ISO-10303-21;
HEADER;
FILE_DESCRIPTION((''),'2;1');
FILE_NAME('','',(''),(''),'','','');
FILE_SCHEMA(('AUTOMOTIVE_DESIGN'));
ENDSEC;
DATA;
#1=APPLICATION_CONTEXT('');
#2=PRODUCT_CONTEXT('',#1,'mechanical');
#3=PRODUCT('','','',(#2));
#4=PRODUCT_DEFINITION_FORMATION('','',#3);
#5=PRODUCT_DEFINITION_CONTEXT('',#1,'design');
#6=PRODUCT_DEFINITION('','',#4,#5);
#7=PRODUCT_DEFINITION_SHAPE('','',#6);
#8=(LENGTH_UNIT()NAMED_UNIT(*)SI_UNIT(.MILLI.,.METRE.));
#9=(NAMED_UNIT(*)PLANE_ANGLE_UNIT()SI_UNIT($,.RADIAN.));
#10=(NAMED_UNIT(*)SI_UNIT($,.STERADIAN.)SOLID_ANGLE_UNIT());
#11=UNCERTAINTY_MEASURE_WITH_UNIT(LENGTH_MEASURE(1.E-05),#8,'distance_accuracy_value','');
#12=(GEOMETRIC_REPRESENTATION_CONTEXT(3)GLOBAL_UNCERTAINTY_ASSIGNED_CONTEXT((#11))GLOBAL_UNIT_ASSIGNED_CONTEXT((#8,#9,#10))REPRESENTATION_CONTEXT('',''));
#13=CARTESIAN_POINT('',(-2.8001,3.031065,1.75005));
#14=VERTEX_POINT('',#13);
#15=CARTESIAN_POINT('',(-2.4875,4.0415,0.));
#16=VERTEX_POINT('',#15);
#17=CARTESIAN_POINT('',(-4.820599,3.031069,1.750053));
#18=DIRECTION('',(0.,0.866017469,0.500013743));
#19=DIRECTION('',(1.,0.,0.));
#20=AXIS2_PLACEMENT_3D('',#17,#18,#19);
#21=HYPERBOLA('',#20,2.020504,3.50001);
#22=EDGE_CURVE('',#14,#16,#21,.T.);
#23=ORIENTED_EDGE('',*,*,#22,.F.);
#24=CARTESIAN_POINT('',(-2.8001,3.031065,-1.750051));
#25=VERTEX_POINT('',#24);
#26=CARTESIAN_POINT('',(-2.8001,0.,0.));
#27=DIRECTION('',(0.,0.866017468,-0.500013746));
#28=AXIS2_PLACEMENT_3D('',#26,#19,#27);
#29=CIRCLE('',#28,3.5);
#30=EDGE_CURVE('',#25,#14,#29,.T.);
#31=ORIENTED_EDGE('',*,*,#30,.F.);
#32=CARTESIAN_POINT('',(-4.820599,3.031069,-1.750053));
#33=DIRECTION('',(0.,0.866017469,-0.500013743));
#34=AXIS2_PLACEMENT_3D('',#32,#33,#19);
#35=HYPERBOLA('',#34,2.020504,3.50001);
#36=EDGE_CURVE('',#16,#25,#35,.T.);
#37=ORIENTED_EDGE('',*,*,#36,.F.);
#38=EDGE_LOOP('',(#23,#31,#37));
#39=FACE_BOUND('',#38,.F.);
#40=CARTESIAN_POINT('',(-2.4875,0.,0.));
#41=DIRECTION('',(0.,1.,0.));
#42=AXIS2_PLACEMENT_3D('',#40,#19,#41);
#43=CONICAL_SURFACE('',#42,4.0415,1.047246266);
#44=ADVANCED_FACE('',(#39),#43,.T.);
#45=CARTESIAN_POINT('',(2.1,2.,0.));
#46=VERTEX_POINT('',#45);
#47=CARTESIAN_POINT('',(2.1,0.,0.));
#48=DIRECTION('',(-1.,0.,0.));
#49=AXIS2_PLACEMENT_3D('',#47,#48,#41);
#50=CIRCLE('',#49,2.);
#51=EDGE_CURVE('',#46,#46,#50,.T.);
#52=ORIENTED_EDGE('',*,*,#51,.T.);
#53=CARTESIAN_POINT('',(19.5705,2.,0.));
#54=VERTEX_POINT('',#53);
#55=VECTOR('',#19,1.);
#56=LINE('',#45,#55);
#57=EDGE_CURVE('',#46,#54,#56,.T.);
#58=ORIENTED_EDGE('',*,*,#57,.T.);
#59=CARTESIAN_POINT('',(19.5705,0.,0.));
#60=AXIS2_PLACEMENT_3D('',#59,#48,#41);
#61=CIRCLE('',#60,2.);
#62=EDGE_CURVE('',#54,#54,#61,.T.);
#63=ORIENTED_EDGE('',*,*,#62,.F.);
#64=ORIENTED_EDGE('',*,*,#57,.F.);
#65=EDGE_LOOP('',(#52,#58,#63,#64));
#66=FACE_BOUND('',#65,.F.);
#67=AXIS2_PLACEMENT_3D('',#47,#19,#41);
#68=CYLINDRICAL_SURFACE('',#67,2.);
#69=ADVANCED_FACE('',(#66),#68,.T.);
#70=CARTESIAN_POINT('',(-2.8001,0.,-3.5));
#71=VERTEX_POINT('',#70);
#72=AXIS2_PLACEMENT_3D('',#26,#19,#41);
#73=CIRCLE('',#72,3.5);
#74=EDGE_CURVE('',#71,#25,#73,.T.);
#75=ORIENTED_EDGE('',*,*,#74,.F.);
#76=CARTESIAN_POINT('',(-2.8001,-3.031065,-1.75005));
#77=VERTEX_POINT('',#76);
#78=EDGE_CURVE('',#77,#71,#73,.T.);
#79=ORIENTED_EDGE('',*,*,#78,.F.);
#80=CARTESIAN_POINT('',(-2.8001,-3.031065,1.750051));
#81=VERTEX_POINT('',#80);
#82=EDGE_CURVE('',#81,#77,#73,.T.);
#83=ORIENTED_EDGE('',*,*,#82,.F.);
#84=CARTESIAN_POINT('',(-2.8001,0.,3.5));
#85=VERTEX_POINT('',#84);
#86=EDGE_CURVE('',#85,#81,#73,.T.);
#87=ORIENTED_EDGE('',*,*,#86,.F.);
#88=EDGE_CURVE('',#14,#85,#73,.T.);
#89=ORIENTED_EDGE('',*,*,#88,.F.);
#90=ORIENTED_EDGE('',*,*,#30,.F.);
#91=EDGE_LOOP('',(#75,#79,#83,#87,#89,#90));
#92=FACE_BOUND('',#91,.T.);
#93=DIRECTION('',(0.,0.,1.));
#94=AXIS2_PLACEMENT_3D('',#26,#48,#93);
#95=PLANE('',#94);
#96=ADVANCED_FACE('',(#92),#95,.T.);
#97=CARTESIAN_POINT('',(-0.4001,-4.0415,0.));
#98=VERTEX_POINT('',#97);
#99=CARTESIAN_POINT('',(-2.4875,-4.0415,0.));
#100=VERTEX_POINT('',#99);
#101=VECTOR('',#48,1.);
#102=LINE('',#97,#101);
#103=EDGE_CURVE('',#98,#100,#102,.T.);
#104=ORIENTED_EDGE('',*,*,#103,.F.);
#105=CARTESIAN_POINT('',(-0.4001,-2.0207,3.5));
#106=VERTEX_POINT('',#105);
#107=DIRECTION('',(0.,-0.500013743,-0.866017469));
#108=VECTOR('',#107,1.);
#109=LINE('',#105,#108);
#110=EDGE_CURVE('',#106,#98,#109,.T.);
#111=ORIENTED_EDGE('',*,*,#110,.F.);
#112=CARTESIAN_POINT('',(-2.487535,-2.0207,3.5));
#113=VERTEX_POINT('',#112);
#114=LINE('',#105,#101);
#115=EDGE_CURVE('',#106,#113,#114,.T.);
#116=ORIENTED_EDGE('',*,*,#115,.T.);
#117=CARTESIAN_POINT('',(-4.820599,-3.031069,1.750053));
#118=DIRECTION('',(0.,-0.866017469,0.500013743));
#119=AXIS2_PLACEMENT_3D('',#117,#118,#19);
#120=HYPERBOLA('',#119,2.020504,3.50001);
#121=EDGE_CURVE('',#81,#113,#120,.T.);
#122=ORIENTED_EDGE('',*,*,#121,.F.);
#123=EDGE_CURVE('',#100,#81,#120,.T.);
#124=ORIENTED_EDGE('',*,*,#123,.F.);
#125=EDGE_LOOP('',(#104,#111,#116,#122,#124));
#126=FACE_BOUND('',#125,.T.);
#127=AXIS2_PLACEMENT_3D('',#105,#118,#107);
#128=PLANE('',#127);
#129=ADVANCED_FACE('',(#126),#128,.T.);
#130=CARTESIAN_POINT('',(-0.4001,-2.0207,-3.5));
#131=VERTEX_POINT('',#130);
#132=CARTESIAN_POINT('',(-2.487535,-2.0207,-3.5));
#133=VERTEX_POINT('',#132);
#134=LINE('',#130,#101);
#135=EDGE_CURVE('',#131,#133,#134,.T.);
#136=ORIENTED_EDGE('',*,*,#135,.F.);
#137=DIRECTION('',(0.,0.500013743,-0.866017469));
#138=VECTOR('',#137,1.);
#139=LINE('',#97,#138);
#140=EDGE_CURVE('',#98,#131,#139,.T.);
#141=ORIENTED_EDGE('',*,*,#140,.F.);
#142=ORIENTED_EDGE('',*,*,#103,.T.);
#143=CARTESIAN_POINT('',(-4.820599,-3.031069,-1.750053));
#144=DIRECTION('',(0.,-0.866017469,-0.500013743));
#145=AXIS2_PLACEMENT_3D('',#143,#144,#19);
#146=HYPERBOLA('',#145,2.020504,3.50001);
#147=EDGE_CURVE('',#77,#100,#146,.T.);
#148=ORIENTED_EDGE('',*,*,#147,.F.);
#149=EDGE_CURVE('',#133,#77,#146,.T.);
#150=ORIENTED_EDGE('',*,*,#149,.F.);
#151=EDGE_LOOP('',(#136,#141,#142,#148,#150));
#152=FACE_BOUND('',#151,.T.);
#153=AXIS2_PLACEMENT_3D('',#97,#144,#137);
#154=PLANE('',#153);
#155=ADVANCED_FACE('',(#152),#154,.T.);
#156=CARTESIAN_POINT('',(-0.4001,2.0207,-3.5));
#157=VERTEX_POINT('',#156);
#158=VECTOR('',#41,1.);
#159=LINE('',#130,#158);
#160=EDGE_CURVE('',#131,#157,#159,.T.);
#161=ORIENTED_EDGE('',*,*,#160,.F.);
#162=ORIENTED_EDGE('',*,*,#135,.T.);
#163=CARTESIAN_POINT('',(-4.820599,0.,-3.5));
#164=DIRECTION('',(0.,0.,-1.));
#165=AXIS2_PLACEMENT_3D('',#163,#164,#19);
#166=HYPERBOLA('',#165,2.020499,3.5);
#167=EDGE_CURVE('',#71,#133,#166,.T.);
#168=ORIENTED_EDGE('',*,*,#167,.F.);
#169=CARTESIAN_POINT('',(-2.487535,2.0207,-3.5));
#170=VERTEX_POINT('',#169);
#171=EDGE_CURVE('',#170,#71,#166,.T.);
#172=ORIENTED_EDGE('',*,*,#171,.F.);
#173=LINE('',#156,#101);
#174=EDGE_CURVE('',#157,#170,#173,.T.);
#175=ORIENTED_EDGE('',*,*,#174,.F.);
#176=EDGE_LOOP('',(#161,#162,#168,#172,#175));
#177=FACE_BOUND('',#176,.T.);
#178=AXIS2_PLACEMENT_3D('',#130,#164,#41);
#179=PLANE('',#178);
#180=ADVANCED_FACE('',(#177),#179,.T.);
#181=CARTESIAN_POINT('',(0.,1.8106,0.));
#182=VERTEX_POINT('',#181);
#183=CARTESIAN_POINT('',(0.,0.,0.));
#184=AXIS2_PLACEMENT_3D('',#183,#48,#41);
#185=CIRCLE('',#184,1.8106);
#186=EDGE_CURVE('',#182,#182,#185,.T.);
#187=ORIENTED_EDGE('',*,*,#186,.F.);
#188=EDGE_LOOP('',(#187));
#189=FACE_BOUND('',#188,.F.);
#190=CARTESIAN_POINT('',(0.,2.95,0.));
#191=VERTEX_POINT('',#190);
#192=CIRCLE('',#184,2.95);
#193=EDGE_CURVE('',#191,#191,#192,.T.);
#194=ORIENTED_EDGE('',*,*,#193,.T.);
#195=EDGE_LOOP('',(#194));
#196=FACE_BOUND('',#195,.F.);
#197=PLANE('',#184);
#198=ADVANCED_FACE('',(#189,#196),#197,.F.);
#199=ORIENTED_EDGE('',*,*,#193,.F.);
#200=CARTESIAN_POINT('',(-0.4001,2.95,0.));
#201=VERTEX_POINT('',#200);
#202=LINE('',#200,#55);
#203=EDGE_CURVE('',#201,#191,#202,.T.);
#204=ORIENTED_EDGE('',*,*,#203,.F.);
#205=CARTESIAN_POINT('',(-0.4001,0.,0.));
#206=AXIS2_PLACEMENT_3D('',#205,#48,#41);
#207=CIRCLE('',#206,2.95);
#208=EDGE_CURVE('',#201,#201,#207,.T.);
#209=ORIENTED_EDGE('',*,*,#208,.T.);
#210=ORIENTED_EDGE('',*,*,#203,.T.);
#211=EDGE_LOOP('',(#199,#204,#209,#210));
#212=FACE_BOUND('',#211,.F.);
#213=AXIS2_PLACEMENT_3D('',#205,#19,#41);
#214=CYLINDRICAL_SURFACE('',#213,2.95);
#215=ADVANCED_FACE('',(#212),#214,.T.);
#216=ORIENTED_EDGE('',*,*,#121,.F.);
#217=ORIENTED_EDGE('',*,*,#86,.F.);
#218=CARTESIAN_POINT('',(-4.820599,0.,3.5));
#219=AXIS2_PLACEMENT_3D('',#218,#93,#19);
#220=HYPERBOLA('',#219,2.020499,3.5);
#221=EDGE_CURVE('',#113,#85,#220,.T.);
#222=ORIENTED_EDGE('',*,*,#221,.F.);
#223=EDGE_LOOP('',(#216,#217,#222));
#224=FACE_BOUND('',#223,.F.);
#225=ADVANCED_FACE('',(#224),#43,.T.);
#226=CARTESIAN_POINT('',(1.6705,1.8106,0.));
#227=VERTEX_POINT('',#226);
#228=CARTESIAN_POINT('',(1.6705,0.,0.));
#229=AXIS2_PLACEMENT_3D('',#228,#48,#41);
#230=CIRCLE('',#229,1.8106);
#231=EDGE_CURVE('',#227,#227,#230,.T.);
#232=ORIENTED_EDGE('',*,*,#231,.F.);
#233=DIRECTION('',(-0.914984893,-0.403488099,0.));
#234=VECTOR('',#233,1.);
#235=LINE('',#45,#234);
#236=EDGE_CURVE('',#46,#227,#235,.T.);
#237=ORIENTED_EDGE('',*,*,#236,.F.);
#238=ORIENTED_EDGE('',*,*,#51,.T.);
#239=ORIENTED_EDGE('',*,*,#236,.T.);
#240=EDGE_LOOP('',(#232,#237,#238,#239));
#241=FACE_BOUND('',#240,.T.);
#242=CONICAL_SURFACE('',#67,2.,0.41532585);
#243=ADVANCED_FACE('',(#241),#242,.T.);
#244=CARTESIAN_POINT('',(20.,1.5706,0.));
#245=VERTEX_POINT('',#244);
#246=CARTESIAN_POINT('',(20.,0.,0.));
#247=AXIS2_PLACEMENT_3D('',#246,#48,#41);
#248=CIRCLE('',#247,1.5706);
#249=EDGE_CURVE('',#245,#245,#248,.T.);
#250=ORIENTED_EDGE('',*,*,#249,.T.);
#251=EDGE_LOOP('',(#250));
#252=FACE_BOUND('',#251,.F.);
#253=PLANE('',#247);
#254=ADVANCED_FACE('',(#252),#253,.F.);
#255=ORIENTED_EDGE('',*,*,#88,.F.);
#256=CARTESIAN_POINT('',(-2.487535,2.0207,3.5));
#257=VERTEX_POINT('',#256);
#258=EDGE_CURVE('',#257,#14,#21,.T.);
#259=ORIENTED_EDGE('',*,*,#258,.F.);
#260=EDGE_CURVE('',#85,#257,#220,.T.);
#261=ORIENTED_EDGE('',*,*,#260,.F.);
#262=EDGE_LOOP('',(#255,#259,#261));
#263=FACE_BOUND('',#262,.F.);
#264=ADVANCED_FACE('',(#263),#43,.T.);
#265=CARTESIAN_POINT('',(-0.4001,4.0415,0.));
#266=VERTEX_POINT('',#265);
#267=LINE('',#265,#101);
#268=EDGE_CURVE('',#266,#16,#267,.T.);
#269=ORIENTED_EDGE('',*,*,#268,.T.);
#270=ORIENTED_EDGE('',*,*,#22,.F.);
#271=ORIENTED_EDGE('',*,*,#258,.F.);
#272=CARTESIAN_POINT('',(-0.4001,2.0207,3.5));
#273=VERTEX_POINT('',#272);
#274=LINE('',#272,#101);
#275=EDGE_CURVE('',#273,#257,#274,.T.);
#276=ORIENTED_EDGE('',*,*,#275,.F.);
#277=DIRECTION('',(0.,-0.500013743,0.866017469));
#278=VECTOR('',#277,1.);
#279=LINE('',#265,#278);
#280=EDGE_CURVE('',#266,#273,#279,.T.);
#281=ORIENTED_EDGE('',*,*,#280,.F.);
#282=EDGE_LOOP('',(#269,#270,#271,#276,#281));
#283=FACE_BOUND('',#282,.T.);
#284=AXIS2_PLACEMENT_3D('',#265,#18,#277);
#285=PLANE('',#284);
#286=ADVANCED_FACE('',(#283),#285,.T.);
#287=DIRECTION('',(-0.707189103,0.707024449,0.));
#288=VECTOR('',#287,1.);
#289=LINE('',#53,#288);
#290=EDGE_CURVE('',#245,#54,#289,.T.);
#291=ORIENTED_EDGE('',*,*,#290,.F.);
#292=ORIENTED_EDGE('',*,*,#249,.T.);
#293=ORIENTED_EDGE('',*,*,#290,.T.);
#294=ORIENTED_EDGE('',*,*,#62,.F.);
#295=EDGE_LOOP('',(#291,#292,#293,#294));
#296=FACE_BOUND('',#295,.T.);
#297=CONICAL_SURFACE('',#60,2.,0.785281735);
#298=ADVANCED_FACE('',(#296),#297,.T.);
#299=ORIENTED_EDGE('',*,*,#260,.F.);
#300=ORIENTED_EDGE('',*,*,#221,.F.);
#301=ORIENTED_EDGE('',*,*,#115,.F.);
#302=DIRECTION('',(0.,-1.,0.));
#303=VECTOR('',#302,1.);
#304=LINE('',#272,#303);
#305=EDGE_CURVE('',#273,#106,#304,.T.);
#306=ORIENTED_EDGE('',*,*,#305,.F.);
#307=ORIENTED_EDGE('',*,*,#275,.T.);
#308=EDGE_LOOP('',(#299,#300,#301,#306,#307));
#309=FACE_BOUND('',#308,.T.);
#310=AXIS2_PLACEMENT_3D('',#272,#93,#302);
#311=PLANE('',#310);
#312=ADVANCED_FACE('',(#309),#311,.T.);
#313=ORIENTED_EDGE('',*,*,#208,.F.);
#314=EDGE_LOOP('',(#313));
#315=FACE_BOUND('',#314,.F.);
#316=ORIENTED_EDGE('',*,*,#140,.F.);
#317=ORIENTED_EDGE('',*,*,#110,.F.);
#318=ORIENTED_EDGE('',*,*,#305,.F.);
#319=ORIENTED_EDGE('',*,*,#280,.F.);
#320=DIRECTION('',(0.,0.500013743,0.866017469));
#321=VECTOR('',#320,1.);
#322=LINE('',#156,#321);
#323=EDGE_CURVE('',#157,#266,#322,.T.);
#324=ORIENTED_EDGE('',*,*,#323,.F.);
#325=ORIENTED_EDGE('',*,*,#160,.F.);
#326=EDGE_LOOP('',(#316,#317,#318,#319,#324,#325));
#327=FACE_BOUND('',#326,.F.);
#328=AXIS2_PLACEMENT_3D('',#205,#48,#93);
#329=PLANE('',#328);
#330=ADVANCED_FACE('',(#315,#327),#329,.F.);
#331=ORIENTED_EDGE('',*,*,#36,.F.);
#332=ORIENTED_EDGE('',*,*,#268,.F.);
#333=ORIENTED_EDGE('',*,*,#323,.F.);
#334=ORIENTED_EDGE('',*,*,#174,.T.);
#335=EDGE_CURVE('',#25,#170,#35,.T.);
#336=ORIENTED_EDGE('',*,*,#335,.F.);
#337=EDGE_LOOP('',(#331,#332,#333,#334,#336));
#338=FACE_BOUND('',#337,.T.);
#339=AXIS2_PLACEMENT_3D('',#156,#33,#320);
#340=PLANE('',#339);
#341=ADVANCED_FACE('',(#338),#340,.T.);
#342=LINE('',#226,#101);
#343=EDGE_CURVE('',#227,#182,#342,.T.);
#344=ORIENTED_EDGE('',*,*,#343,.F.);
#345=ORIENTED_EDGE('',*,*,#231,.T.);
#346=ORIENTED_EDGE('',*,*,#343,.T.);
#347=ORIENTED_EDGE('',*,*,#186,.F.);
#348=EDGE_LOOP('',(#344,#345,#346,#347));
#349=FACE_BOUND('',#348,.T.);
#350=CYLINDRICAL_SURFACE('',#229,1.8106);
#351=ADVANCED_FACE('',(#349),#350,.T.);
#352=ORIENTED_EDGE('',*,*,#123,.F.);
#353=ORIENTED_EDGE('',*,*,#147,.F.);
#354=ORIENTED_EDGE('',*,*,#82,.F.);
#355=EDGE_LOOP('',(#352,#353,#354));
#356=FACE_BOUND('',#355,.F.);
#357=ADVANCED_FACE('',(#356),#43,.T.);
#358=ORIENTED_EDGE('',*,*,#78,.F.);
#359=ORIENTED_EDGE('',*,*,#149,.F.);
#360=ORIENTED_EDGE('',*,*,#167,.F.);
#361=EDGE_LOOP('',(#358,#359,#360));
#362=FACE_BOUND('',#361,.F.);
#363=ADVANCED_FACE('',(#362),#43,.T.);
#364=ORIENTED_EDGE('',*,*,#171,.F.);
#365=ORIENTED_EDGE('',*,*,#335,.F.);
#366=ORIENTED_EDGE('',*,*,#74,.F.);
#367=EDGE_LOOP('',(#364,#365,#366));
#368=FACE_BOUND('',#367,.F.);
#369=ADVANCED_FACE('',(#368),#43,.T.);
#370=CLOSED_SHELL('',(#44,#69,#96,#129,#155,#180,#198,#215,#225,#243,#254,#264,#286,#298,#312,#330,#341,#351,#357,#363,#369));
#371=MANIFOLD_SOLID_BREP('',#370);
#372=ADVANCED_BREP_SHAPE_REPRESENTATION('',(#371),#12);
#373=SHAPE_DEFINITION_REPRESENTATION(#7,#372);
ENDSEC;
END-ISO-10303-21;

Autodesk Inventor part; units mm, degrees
ref_plane "YZ Plane" through (0, 0, 0) normal (1, 0, 0) x (0, 1, 0)
ref_plane "XZ Plane" through (0, 0, 0) normal (0, 1, 0) x (-1, 0, 0)
sketch "Sketch1" plane through (0, 0, 0) normal (0, 0, 1) x (1, 0, 0)
  line L0 (0, 2.95) -> (0, 1.8106)
  line L1 (2.1, 2) -> (20, 2)
  line L2 (20, 2) -> (20, 0)
  line L3 (20, 0) -> (-0.4001, 0)
  line L4 (-4.4801, 0) -> (24.08, 0) projected
  line L5 (-0.4001, 0) -> (-0.4001, 2.95)
  line L6 (-0.4001, 2.95) -> (0, 2.95)
  line L7 (2.1, 2) -> (1.6705, 1.8106)
  line L8 (1.6705, 1.8106) -> (0, 1.8106)
  line L9 (0, -0.59) -> (0, 3.54) projected
  dimension "d0" = 20
  dimension "d1" = 17.9
  dimension "d2" = 4
  dimension "d9" = 0.4001
  dimension "d10" = 5.9
  dimension "d13" = 0.4295
  dimension "d14" = 3.6211
revolve "Body" add sketch "Sketch1" angle 360 about axis through (20, 0, 0) along (-1, 0, 0)
sketch "Sketch2" plane through (-0.4001, 0, 0) normal (-1, 0, 0) x (0, 0, 1)
  line L0 (0, 4.0415) -> (3.5, 2.0207)
  line L1 (3.5, 2.0207) -> (3.5, -2.0207)
  line L2 (3.5, -2.0207) -> (0, -4.0415)
  line L3 (0, -4.0415) -> (-3.5, -2.0207)
  line L4 (-3.5, -2.0207) -> (-3.5, 2.0207)
  line L5 (-3.5, 2.0207) -> (0, 4.0415)
  point P0 (0, 0)
  point P1 (0, 0)
  dimension "d11" = 7
extrude "Head" add sketch "Sketch2" along normal blind 2.4
sketch "Sketch4" plane through (0, 0, 0) normal (0, 0, 1) x (1, 0, 0)
  line L0 (-2.8001, 3.5) -> (-2.8001, 4.0415)
  line L1 (-2.8001, 4.0415) -> (-2.4875, 4.0415)
  line L2 (-2.4875, 4.0415) -> (-2.8001, 3.5)
  line L3 (-3.2801, 0) -> (0.0799, 0) projected
  line L4 (-0.4001, 4.0415) -> (-2.8001, 4.0415) projected
  line L5 (-2.8001, 2.0207) -> (-2.8001, 4.0415) projected
  dimension "d5" = 30
  dimension "d19" = 7
revolve "Chamfer1" cut sketch "Sketch4" angle 360 about axis through (-10, 0, 0) along (1, 0, 0)
thread "Thread" size "M4x0.7" class "6g" standard "ISO Metric profile" length 17.9
chamfer "Chamfer2" distance 0.4294 distance2 0.4295 1 edges at (20, -2, 0) measured on face at (20, -0.5903, 0.3098)
ref_plane "Work Plane1" through (1.525, 0, 0) normal (0, 0, 1) x (1, 0, 0)
equation "\"d0\" = NLG"
equation "\"d1\" = GEL"
equation "\"d2\" = GD"
equation "\"d10\" = SD2"
equation "\"d14\" = BDM"
equation "\"d11\" = SW"
equation "\"d3\" = KOH - SD"
equation "\"d5\" = ANG1"
equation "\"d19\" = SW0"
equation "\"d15\" = GEL"
equation "\"d6\" = -0.5 * SPD + 0.5 * GD"
equation "\"NLG\" = 20"
equation "\"GD\" = NND"
equation "\"BDM\" = 3.62111"
equation "\"KOH\" = 2.8"
equation "\"GEL\" = 17.9"
equation "\"SW\" = 7"
equation "\"SW0\" = 7"
equation "\"SPD\" = NND - 1.2269 * PTC"
equation "\"SD2\" = 5.9"
equation "\"SD\" = 0.4"
equation "\"ANG1\" = 30deg"
equation "\"GAL\" = 0.61345 * PTC"
equation "\"GUL\" = 0.61345 * PTC"
equation "\"RR\" = 0.2"
equation "\"GD1\" = THREADDIA - 1.2269 * PTC"
equation "\"THREADDIA\" = 4"
equation "\"TOA\" = 30deg"
equation "\"PTC\" = 0.7"
equation "\"NND\" = 4"
equation "\"E0\" = 1.155 * SW"
properties part number "DIN 933 - M4  x 20" material "Steel, Mild"
